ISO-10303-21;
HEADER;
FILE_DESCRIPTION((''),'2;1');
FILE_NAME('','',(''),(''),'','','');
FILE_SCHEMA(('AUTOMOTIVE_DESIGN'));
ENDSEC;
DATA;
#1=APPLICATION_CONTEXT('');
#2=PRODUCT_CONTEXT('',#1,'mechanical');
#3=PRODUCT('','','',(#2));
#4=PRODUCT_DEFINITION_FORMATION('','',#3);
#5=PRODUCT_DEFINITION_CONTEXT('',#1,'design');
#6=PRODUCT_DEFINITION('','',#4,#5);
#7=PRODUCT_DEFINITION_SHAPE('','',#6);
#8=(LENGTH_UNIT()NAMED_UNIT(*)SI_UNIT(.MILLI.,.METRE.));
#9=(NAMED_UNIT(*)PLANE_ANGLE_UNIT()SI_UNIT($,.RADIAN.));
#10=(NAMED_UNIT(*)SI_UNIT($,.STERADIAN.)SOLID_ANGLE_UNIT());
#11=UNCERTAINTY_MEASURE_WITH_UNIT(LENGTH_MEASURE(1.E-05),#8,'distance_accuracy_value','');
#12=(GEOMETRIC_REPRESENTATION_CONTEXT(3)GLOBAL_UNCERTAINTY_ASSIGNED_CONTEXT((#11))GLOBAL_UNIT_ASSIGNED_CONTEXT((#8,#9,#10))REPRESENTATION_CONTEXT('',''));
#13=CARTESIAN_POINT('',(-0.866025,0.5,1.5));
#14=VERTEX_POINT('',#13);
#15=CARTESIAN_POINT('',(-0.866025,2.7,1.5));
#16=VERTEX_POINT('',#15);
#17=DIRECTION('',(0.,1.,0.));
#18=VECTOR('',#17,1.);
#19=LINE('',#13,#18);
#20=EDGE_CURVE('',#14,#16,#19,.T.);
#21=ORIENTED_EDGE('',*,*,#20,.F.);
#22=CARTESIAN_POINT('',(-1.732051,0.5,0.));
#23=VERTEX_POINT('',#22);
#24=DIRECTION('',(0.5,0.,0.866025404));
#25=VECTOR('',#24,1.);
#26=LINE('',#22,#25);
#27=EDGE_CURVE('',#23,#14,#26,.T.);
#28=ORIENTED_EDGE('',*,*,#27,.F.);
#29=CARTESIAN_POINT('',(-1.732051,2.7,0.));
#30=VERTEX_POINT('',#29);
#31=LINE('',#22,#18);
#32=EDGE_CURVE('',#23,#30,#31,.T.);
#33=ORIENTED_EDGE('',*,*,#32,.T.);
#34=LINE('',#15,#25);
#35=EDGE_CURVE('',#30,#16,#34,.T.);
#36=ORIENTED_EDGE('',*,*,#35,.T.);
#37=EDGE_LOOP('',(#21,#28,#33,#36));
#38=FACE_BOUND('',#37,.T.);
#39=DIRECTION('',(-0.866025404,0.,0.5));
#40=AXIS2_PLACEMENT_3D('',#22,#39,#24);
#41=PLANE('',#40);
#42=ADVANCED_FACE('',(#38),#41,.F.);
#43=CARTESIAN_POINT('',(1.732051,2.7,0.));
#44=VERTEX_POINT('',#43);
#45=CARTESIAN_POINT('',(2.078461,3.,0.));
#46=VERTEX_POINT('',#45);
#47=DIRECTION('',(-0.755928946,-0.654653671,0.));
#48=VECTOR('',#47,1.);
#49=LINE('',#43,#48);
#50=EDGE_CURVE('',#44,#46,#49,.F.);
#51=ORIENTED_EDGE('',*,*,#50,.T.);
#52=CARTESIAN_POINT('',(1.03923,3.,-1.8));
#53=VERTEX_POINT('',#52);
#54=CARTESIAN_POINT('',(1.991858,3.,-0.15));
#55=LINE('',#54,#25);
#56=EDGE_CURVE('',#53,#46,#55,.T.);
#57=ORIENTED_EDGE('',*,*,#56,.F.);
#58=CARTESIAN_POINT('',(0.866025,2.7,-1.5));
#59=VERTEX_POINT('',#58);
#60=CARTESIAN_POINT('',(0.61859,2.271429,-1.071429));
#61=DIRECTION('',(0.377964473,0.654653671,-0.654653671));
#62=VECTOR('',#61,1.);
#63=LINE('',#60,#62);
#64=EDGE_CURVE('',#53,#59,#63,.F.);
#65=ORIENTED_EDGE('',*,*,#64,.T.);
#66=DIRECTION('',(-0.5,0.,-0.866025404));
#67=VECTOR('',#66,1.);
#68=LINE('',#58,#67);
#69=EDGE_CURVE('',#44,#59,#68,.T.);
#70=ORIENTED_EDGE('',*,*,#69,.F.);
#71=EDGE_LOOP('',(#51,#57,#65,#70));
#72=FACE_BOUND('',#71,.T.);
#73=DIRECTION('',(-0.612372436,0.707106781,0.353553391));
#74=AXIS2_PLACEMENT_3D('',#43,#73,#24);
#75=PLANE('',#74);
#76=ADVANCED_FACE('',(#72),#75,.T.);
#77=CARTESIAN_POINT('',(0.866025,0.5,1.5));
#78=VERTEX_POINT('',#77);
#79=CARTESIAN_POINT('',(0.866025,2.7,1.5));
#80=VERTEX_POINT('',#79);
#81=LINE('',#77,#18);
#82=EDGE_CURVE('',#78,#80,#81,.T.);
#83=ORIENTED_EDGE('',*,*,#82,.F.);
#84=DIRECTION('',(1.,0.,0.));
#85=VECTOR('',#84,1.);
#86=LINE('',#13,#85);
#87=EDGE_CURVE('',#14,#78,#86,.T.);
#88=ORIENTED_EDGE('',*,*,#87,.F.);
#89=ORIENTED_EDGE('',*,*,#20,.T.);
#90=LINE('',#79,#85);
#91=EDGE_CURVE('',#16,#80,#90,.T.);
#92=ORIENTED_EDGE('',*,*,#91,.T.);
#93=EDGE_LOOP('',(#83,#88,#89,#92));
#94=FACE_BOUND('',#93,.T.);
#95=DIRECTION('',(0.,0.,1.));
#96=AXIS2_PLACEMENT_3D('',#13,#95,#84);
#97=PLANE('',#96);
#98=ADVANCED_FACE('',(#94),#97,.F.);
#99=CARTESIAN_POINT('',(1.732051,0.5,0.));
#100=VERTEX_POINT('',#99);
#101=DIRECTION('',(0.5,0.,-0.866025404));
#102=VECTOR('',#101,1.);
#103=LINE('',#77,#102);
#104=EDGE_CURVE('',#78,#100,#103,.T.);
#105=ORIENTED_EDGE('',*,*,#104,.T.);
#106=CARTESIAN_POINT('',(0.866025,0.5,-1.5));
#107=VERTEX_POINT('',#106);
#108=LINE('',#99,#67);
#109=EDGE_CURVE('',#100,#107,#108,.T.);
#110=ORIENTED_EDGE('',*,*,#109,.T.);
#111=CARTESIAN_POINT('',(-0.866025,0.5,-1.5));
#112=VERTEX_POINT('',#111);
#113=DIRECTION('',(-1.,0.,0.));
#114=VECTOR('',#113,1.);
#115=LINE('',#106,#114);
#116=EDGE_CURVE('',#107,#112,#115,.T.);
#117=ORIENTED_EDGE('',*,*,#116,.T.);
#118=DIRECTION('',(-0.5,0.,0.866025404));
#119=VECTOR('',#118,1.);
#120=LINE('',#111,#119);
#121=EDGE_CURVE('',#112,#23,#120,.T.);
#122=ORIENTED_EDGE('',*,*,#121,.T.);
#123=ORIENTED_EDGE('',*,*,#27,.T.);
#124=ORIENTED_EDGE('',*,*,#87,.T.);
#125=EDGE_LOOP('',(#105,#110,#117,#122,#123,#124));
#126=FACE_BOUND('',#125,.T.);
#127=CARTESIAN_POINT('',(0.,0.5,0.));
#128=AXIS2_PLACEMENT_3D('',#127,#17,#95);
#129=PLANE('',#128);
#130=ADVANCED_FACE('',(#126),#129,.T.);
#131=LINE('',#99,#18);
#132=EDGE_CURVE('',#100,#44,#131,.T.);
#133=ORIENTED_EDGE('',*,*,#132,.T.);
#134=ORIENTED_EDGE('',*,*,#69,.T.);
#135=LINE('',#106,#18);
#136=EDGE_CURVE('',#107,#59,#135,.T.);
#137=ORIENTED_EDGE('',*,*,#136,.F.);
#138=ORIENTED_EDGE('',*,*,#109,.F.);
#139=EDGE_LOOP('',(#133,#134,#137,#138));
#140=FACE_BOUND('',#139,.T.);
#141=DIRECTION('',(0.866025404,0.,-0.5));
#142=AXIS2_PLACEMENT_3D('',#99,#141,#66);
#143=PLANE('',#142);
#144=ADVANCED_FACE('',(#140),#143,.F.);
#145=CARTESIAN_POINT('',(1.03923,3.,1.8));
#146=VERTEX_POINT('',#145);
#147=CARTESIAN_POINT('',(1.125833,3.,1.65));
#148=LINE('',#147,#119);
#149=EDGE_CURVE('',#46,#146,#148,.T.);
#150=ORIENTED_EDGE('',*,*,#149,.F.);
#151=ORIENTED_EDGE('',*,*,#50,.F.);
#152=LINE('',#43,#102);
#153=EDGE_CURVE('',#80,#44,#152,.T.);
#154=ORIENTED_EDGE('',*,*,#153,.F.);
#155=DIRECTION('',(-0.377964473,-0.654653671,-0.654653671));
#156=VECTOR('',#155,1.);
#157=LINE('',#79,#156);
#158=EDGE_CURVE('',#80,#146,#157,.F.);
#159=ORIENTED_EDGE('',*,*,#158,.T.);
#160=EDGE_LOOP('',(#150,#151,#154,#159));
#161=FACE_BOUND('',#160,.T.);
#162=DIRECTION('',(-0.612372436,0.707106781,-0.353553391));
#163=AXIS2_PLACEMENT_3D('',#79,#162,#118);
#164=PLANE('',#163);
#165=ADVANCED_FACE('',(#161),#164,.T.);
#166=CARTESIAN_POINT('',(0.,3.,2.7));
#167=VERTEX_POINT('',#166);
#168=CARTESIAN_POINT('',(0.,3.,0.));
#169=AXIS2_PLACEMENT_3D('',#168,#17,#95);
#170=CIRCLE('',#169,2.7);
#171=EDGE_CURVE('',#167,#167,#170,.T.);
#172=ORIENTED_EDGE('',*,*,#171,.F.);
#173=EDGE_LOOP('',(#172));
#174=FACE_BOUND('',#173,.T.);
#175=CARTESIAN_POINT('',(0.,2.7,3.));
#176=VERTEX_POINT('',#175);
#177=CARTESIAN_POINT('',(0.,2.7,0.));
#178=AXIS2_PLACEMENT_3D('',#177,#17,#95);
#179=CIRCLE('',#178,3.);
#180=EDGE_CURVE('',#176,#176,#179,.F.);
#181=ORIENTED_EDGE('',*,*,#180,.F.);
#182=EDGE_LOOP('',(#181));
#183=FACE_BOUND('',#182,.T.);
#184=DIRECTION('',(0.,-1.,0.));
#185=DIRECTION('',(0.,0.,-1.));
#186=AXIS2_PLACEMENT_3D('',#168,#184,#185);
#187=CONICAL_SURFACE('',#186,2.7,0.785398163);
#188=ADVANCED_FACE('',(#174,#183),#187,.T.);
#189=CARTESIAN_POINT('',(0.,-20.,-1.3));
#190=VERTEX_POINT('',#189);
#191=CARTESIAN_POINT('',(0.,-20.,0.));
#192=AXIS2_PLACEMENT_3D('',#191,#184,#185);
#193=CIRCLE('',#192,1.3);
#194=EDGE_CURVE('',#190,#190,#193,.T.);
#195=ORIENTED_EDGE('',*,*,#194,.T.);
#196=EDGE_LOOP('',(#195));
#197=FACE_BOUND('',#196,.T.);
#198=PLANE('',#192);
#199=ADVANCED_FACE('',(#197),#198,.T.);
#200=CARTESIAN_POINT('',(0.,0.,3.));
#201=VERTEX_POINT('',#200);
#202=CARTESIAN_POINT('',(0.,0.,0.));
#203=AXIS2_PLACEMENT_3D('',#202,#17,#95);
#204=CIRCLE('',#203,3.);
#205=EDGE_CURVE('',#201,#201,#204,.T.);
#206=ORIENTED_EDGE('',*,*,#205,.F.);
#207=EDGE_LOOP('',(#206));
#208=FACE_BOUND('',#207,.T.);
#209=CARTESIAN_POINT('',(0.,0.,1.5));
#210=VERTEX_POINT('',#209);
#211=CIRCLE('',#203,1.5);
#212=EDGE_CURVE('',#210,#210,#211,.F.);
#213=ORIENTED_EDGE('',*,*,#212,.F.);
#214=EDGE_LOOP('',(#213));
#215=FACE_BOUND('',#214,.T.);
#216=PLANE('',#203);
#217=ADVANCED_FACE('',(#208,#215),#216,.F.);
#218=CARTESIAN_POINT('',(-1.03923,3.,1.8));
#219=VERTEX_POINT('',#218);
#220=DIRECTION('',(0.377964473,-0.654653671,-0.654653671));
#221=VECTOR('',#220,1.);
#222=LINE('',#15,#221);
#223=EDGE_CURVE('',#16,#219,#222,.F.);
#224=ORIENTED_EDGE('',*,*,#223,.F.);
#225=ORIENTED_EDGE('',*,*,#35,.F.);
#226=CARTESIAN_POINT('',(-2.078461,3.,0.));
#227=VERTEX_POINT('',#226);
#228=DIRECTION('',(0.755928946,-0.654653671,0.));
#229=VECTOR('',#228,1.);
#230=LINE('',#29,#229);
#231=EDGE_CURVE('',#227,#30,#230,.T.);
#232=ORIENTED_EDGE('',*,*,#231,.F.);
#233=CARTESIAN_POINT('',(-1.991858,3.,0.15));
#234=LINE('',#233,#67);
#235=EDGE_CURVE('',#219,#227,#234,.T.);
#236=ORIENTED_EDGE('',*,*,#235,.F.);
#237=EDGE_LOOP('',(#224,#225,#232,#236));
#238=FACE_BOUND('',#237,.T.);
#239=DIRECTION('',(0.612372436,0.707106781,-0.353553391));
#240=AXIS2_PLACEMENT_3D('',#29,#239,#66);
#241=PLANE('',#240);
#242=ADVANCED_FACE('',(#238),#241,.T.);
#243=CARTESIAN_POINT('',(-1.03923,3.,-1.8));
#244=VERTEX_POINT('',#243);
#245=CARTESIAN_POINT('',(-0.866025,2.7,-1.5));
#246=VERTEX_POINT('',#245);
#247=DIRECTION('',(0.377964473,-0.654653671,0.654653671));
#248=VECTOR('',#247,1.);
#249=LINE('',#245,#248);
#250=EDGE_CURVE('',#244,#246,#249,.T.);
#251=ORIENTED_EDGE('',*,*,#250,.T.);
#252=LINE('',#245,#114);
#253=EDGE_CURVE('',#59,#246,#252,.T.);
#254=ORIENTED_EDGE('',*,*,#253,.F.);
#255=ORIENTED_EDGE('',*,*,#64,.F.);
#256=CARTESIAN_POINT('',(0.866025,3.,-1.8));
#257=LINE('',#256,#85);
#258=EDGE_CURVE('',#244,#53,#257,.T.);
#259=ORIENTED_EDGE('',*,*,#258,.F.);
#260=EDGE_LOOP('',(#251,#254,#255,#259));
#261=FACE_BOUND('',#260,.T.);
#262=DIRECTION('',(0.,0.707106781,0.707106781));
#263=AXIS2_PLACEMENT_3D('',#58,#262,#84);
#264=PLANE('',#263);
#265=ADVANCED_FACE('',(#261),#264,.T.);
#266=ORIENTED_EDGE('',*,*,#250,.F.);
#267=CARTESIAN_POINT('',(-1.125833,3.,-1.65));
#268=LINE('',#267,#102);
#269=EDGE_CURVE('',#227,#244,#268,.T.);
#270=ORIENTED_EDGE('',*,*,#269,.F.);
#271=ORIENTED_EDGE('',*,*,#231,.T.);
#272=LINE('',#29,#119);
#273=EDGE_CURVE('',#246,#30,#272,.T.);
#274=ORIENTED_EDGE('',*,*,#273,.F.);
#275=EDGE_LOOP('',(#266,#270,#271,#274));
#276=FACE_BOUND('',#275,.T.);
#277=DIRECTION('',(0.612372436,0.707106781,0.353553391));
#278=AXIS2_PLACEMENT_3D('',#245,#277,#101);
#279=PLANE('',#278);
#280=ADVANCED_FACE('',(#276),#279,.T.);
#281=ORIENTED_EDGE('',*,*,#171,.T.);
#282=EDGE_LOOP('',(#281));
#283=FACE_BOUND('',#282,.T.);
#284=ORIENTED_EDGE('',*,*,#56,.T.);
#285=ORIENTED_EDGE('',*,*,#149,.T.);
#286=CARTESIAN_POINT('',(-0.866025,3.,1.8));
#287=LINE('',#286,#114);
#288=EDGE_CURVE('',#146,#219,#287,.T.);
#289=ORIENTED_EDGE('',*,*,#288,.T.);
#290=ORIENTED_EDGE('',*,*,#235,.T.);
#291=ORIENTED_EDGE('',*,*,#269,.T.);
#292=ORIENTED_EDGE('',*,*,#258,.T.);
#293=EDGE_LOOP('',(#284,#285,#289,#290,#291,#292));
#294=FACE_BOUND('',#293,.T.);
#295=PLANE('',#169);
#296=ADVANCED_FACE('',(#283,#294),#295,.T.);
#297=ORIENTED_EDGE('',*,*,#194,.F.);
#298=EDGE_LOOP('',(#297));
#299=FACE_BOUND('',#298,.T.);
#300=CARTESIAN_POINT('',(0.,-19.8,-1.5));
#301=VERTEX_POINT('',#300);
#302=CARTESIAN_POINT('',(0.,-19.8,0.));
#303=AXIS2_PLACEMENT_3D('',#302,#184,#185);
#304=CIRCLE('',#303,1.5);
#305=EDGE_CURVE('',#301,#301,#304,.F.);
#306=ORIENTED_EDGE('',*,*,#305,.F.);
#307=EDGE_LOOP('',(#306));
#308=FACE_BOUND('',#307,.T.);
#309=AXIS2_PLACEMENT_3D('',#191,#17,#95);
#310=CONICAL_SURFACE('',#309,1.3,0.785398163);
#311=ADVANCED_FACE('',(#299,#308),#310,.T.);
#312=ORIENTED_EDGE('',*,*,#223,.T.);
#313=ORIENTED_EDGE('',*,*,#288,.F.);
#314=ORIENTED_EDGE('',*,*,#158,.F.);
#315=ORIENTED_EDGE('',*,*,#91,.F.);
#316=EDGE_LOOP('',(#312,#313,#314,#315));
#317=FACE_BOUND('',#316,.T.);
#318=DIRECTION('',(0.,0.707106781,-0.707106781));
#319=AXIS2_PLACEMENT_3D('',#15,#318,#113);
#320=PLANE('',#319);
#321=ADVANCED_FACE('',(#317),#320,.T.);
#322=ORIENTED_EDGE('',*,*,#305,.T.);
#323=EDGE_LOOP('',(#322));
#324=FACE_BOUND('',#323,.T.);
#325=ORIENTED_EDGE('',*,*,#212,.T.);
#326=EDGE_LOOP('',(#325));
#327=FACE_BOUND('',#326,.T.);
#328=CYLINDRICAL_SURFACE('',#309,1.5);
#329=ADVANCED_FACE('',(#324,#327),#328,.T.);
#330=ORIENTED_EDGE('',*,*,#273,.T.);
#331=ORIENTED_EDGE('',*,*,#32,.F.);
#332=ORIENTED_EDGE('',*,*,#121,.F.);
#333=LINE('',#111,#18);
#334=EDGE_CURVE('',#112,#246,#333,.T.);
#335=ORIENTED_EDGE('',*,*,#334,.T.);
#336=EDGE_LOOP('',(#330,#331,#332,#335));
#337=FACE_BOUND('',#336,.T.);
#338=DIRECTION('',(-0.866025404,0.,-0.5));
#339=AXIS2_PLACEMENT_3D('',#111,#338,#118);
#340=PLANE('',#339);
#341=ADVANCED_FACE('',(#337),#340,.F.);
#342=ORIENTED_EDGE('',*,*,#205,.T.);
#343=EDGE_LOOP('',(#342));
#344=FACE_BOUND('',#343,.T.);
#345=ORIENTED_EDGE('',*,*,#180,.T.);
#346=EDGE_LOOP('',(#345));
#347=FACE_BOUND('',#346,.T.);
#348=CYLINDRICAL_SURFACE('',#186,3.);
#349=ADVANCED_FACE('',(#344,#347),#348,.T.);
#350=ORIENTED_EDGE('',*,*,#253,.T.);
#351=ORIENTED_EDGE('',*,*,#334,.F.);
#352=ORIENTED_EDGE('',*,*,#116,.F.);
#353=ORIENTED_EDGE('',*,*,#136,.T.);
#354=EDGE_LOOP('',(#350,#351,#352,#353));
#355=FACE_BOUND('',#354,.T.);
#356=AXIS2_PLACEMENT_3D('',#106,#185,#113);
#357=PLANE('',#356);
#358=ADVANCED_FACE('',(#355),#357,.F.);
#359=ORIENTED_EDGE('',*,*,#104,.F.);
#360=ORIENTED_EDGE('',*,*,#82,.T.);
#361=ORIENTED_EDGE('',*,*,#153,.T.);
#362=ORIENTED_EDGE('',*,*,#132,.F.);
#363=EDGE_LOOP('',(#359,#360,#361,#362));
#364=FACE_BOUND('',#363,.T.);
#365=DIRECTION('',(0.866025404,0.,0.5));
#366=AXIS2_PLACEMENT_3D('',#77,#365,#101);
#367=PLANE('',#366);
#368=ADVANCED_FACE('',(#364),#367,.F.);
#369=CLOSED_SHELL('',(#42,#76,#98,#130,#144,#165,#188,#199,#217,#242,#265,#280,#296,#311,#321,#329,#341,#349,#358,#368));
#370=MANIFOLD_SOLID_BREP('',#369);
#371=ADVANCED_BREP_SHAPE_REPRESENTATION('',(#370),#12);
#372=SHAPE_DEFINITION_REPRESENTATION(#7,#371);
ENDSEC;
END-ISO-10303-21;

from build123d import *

# Parameters (mm, degrees)
SKETCH1_R           = 3
BOSS_EXTRUDE1_DEPTH = 3
CHAMFER1_SIZE       = 0.3
CUT_EXTRUDE1_DEPTH  = 2.5
CHAMFER2_SIZE       = 0.3
SKETCH3_R           = 1.5
BOSS_EXTRUDE2_DEPTH = 20
CHAMFER3_SIZE       = 0.2


with BuildPart() as part:
    # Sketch1 → Boss-Extrude1 (new body)
    with BuildSketch(Plane(origin=(0, 0, 0), x_dir=(1, 0, 0), z_dir=(0, 1, 0))):
        with Locations(Location((0, 0, 0), (0, 0, 270))):  # turned: the seam where the file's is
            Circle(SKETCH1_R)
    extrude(amount=BOSS_EXTRUDE1_DEPTH)

    # Chamfer1
    chamfer1_edges = [part.edges().sort_by_distance(p)[0] for p in [
        (0, 3, -3),
    ]]
    chamfer(chamfer1_edges, length=CHAMFER1_SIZE)

    # Sketch2 → Cut-Extrude1 (cut)
    with BuildSketch(Plane(origin=(0, 3, 0), x_dir=(1, 0, 0), z_dir=(0, 1, 0))):
        Polygon((1.732050808, 0), (0.866025404, 1.5), (-0.866025404, 1.5), (-1.732050808, 0), (-0.866025404, -1.5), (0.866025404, -1.5), align=None)
    extrude(amount=-CUT_EXTRUDE1_DEPTH, mode=Mode.SUBTRACT)

    # Chamfer2
    chamfer2_edges = [part.edges().sort_by_distance(p)[0] for p in [
        (1.299038106, 3, 0.75),
        (1.299038106, 3, -0.75),
        (0, 3, -1.5),
        (-1.299038106, 3, -0.75),
        (-1.299038106, 3, 0.75),
        (0, 3, 1.5),
    ]]
    chamfer(chamfer2_edges, length=CHAMFER2_SIZE)

    # Sketch3 → Boss-Extrude2 (add)
    with BuildSketch(Plane.XZ):
        with Locations(Location((0, 0, 0), (0, 0, 90))):  # turned: the seam where the file's is
            Circle(SKETCH3_R)
    extrude(amount=BOSS_EXTRUDE2_DEPTH)

    # Chamfer3
    chamfer3_edges = [part.edges().sort_by_distance(p)[0] for p in [
        (0, -20, -1.5),
    ]]
    chamfer(chamfer3_edges, length=CHAMFER3_SIZE)


solid = part.part
